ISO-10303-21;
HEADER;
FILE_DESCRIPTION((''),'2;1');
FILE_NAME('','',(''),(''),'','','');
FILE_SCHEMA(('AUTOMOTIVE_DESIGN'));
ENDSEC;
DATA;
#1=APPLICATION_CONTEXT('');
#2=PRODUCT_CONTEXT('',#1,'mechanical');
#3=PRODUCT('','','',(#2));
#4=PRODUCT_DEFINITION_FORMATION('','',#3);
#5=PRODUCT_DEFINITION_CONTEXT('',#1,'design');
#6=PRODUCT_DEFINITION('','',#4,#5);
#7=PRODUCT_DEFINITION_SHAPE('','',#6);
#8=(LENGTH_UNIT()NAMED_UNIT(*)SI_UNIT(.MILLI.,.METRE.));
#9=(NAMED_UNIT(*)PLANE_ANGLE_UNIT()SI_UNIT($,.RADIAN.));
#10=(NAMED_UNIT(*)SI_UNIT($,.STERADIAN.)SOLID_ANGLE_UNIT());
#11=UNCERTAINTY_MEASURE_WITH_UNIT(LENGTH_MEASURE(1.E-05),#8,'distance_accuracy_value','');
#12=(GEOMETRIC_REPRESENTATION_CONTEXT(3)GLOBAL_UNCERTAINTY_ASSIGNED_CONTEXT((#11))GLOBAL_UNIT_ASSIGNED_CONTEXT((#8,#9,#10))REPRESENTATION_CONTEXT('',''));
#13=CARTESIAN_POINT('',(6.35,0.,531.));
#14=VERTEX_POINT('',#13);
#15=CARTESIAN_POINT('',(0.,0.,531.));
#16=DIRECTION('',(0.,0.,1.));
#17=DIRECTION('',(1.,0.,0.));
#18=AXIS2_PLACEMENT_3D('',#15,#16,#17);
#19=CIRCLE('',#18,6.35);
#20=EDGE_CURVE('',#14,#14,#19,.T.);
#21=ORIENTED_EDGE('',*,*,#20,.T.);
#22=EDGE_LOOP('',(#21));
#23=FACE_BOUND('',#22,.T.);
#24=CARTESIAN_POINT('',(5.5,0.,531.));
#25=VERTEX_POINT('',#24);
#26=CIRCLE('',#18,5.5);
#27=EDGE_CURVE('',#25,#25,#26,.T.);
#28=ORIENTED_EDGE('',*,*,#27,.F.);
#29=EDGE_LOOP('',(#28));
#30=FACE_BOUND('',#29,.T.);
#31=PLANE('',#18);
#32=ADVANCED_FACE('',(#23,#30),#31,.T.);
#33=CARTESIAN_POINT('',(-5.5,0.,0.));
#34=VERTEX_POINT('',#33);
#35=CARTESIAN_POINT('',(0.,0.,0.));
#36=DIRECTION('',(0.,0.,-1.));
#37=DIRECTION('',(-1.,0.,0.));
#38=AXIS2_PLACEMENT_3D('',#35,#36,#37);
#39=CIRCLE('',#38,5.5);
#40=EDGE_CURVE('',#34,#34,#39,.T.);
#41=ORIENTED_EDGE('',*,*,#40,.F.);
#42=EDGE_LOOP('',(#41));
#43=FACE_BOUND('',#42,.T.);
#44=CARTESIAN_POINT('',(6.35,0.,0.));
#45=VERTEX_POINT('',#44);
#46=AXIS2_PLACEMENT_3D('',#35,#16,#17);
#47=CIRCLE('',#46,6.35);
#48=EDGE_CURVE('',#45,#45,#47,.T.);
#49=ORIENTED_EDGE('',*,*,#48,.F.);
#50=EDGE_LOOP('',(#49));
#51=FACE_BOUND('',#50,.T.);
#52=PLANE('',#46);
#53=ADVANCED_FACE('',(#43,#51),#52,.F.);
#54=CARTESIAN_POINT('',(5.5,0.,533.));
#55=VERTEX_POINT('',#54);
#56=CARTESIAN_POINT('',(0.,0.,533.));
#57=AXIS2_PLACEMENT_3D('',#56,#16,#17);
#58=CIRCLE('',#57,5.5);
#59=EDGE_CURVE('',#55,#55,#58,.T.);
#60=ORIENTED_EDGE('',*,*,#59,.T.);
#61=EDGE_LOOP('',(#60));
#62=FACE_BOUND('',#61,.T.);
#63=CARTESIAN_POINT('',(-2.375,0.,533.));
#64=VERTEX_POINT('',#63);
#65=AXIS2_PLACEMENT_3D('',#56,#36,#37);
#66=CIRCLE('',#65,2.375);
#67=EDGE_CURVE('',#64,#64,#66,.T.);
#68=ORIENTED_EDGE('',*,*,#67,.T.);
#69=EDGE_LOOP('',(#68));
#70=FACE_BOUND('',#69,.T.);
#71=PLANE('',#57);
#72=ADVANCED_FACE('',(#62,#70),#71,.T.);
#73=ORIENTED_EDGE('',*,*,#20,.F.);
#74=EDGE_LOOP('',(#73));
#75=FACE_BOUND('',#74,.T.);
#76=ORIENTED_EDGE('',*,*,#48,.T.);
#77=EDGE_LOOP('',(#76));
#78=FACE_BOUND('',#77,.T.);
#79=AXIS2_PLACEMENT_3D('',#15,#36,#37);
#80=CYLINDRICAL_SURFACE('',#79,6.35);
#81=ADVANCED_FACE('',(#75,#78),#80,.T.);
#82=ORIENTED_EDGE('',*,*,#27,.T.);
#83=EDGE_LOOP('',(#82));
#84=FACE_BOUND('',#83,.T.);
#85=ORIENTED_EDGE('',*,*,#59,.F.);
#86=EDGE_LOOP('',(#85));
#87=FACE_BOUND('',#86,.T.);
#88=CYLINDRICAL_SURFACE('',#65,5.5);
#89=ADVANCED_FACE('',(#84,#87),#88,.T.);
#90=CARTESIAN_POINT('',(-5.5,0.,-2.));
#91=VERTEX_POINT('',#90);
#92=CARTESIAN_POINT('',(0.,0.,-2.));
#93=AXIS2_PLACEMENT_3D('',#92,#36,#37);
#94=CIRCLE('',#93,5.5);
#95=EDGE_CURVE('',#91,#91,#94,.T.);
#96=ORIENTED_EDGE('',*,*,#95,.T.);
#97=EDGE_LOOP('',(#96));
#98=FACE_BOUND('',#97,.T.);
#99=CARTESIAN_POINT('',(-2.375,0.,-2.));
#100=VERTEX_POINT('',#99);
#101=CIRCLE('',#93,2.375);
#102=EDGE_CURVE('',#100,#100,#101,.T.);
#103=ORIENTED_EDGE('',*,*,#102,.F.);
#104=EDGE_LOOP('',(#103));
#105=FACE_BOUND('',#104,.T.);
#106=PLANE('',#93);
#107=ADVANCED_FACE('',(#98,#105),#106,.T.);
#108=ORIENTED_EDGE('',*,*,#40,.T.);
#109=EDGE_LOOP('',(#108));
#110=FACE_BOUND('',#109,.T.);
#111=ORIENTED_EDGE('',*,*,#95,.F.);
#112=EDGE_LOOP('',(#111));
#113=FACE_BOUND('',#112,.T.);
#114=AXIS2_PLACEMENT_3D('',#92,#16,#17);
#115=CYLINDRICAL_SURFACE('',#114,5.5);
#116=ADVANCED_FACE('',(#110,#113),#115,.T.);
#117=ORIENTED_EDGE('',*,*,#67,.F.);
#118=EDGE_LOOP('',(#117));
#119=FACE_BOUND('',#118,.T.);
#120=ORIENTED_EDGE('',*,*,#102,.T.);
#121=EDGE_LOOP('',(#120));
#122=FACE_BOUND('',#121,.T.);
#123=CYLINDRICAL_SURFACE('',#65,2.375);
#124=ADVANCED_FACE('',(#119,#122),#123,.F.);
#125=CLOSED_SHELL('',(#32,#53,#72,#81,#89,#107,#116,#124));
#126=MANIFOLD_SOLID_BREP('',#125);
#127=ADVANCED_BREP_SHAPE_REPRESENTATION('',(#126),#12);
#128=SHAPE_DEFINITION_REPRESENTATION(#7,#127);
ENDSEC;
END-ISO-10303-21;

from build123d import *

# Parameters (mm, degrees)
SKETCH1_R               = 6.35
BOSS_EXTRUDE1_DEPTH     = 531
SKETCH2_R               = 5.5
BOSS_EXTRUDE2_DEPTH     = 2
BOSS_EXTRUDE3_START     = 2
SKETCH3_R               = 5.5
BOSS_EXTRUDE3_DEPTH     = 2
CUT_EXTRUDE1_DEPTH      = 536.075363851
CUT_EXTRUDE1_DEPTH_BACK = 536.075363851
SKETCH4_R               = 2.375


with BuildPart() as part:
    # Sketch1 → Boss-Extrude1 (new body)
    with BuildSketch(Plane.XY):
        Circle(SKETCH1_R)
    extrude(amount=BOSS_EXTRUDE1_DEPTH)

    # Sketch2 → Boss-Extrude2 (add)
    with BuildSketch(Plane.XY.offset(531)):
        Circle(SKETCH2_R)
    extrude(amount=BOSS_EXTRUDE2_DEPTH)

    # Sketch3 → Boss-Extrude3 (add)
    with BuildSketch(Plane(origin=(0, 0, 0), x_dir=(-1, 0, 0), z_dir=(0, 0, -1)).offset(BOSS_EXTRUDE3_START)):
        with Locations(Location((0, 0, 0), (0, 0, 180))):
            Circle(SKETCH3_R)
    extrude(amount=-BOSS_EXTRUDE3_DEPTH)

    # Sketch4 → Cut-Extrude1 (cut, two sides: drawn at the far end of the back side and taken through both)
    with BuildSketch(Plane(origin=(0, 0, -2), x_dir=(-1, 0, 0), z_dir=(0, 0, -1)).offset(-CUT_EXTRUDE1_DEPTH_BACK)):
        Circle(SKETCH4_R)
    extrude(amount=CUT_EXTRUDE1_DEPTH + CUT_EXTRUDE1_DEPTH_BACK, mode=Mode.SUBTRACT)


solid = part.part
